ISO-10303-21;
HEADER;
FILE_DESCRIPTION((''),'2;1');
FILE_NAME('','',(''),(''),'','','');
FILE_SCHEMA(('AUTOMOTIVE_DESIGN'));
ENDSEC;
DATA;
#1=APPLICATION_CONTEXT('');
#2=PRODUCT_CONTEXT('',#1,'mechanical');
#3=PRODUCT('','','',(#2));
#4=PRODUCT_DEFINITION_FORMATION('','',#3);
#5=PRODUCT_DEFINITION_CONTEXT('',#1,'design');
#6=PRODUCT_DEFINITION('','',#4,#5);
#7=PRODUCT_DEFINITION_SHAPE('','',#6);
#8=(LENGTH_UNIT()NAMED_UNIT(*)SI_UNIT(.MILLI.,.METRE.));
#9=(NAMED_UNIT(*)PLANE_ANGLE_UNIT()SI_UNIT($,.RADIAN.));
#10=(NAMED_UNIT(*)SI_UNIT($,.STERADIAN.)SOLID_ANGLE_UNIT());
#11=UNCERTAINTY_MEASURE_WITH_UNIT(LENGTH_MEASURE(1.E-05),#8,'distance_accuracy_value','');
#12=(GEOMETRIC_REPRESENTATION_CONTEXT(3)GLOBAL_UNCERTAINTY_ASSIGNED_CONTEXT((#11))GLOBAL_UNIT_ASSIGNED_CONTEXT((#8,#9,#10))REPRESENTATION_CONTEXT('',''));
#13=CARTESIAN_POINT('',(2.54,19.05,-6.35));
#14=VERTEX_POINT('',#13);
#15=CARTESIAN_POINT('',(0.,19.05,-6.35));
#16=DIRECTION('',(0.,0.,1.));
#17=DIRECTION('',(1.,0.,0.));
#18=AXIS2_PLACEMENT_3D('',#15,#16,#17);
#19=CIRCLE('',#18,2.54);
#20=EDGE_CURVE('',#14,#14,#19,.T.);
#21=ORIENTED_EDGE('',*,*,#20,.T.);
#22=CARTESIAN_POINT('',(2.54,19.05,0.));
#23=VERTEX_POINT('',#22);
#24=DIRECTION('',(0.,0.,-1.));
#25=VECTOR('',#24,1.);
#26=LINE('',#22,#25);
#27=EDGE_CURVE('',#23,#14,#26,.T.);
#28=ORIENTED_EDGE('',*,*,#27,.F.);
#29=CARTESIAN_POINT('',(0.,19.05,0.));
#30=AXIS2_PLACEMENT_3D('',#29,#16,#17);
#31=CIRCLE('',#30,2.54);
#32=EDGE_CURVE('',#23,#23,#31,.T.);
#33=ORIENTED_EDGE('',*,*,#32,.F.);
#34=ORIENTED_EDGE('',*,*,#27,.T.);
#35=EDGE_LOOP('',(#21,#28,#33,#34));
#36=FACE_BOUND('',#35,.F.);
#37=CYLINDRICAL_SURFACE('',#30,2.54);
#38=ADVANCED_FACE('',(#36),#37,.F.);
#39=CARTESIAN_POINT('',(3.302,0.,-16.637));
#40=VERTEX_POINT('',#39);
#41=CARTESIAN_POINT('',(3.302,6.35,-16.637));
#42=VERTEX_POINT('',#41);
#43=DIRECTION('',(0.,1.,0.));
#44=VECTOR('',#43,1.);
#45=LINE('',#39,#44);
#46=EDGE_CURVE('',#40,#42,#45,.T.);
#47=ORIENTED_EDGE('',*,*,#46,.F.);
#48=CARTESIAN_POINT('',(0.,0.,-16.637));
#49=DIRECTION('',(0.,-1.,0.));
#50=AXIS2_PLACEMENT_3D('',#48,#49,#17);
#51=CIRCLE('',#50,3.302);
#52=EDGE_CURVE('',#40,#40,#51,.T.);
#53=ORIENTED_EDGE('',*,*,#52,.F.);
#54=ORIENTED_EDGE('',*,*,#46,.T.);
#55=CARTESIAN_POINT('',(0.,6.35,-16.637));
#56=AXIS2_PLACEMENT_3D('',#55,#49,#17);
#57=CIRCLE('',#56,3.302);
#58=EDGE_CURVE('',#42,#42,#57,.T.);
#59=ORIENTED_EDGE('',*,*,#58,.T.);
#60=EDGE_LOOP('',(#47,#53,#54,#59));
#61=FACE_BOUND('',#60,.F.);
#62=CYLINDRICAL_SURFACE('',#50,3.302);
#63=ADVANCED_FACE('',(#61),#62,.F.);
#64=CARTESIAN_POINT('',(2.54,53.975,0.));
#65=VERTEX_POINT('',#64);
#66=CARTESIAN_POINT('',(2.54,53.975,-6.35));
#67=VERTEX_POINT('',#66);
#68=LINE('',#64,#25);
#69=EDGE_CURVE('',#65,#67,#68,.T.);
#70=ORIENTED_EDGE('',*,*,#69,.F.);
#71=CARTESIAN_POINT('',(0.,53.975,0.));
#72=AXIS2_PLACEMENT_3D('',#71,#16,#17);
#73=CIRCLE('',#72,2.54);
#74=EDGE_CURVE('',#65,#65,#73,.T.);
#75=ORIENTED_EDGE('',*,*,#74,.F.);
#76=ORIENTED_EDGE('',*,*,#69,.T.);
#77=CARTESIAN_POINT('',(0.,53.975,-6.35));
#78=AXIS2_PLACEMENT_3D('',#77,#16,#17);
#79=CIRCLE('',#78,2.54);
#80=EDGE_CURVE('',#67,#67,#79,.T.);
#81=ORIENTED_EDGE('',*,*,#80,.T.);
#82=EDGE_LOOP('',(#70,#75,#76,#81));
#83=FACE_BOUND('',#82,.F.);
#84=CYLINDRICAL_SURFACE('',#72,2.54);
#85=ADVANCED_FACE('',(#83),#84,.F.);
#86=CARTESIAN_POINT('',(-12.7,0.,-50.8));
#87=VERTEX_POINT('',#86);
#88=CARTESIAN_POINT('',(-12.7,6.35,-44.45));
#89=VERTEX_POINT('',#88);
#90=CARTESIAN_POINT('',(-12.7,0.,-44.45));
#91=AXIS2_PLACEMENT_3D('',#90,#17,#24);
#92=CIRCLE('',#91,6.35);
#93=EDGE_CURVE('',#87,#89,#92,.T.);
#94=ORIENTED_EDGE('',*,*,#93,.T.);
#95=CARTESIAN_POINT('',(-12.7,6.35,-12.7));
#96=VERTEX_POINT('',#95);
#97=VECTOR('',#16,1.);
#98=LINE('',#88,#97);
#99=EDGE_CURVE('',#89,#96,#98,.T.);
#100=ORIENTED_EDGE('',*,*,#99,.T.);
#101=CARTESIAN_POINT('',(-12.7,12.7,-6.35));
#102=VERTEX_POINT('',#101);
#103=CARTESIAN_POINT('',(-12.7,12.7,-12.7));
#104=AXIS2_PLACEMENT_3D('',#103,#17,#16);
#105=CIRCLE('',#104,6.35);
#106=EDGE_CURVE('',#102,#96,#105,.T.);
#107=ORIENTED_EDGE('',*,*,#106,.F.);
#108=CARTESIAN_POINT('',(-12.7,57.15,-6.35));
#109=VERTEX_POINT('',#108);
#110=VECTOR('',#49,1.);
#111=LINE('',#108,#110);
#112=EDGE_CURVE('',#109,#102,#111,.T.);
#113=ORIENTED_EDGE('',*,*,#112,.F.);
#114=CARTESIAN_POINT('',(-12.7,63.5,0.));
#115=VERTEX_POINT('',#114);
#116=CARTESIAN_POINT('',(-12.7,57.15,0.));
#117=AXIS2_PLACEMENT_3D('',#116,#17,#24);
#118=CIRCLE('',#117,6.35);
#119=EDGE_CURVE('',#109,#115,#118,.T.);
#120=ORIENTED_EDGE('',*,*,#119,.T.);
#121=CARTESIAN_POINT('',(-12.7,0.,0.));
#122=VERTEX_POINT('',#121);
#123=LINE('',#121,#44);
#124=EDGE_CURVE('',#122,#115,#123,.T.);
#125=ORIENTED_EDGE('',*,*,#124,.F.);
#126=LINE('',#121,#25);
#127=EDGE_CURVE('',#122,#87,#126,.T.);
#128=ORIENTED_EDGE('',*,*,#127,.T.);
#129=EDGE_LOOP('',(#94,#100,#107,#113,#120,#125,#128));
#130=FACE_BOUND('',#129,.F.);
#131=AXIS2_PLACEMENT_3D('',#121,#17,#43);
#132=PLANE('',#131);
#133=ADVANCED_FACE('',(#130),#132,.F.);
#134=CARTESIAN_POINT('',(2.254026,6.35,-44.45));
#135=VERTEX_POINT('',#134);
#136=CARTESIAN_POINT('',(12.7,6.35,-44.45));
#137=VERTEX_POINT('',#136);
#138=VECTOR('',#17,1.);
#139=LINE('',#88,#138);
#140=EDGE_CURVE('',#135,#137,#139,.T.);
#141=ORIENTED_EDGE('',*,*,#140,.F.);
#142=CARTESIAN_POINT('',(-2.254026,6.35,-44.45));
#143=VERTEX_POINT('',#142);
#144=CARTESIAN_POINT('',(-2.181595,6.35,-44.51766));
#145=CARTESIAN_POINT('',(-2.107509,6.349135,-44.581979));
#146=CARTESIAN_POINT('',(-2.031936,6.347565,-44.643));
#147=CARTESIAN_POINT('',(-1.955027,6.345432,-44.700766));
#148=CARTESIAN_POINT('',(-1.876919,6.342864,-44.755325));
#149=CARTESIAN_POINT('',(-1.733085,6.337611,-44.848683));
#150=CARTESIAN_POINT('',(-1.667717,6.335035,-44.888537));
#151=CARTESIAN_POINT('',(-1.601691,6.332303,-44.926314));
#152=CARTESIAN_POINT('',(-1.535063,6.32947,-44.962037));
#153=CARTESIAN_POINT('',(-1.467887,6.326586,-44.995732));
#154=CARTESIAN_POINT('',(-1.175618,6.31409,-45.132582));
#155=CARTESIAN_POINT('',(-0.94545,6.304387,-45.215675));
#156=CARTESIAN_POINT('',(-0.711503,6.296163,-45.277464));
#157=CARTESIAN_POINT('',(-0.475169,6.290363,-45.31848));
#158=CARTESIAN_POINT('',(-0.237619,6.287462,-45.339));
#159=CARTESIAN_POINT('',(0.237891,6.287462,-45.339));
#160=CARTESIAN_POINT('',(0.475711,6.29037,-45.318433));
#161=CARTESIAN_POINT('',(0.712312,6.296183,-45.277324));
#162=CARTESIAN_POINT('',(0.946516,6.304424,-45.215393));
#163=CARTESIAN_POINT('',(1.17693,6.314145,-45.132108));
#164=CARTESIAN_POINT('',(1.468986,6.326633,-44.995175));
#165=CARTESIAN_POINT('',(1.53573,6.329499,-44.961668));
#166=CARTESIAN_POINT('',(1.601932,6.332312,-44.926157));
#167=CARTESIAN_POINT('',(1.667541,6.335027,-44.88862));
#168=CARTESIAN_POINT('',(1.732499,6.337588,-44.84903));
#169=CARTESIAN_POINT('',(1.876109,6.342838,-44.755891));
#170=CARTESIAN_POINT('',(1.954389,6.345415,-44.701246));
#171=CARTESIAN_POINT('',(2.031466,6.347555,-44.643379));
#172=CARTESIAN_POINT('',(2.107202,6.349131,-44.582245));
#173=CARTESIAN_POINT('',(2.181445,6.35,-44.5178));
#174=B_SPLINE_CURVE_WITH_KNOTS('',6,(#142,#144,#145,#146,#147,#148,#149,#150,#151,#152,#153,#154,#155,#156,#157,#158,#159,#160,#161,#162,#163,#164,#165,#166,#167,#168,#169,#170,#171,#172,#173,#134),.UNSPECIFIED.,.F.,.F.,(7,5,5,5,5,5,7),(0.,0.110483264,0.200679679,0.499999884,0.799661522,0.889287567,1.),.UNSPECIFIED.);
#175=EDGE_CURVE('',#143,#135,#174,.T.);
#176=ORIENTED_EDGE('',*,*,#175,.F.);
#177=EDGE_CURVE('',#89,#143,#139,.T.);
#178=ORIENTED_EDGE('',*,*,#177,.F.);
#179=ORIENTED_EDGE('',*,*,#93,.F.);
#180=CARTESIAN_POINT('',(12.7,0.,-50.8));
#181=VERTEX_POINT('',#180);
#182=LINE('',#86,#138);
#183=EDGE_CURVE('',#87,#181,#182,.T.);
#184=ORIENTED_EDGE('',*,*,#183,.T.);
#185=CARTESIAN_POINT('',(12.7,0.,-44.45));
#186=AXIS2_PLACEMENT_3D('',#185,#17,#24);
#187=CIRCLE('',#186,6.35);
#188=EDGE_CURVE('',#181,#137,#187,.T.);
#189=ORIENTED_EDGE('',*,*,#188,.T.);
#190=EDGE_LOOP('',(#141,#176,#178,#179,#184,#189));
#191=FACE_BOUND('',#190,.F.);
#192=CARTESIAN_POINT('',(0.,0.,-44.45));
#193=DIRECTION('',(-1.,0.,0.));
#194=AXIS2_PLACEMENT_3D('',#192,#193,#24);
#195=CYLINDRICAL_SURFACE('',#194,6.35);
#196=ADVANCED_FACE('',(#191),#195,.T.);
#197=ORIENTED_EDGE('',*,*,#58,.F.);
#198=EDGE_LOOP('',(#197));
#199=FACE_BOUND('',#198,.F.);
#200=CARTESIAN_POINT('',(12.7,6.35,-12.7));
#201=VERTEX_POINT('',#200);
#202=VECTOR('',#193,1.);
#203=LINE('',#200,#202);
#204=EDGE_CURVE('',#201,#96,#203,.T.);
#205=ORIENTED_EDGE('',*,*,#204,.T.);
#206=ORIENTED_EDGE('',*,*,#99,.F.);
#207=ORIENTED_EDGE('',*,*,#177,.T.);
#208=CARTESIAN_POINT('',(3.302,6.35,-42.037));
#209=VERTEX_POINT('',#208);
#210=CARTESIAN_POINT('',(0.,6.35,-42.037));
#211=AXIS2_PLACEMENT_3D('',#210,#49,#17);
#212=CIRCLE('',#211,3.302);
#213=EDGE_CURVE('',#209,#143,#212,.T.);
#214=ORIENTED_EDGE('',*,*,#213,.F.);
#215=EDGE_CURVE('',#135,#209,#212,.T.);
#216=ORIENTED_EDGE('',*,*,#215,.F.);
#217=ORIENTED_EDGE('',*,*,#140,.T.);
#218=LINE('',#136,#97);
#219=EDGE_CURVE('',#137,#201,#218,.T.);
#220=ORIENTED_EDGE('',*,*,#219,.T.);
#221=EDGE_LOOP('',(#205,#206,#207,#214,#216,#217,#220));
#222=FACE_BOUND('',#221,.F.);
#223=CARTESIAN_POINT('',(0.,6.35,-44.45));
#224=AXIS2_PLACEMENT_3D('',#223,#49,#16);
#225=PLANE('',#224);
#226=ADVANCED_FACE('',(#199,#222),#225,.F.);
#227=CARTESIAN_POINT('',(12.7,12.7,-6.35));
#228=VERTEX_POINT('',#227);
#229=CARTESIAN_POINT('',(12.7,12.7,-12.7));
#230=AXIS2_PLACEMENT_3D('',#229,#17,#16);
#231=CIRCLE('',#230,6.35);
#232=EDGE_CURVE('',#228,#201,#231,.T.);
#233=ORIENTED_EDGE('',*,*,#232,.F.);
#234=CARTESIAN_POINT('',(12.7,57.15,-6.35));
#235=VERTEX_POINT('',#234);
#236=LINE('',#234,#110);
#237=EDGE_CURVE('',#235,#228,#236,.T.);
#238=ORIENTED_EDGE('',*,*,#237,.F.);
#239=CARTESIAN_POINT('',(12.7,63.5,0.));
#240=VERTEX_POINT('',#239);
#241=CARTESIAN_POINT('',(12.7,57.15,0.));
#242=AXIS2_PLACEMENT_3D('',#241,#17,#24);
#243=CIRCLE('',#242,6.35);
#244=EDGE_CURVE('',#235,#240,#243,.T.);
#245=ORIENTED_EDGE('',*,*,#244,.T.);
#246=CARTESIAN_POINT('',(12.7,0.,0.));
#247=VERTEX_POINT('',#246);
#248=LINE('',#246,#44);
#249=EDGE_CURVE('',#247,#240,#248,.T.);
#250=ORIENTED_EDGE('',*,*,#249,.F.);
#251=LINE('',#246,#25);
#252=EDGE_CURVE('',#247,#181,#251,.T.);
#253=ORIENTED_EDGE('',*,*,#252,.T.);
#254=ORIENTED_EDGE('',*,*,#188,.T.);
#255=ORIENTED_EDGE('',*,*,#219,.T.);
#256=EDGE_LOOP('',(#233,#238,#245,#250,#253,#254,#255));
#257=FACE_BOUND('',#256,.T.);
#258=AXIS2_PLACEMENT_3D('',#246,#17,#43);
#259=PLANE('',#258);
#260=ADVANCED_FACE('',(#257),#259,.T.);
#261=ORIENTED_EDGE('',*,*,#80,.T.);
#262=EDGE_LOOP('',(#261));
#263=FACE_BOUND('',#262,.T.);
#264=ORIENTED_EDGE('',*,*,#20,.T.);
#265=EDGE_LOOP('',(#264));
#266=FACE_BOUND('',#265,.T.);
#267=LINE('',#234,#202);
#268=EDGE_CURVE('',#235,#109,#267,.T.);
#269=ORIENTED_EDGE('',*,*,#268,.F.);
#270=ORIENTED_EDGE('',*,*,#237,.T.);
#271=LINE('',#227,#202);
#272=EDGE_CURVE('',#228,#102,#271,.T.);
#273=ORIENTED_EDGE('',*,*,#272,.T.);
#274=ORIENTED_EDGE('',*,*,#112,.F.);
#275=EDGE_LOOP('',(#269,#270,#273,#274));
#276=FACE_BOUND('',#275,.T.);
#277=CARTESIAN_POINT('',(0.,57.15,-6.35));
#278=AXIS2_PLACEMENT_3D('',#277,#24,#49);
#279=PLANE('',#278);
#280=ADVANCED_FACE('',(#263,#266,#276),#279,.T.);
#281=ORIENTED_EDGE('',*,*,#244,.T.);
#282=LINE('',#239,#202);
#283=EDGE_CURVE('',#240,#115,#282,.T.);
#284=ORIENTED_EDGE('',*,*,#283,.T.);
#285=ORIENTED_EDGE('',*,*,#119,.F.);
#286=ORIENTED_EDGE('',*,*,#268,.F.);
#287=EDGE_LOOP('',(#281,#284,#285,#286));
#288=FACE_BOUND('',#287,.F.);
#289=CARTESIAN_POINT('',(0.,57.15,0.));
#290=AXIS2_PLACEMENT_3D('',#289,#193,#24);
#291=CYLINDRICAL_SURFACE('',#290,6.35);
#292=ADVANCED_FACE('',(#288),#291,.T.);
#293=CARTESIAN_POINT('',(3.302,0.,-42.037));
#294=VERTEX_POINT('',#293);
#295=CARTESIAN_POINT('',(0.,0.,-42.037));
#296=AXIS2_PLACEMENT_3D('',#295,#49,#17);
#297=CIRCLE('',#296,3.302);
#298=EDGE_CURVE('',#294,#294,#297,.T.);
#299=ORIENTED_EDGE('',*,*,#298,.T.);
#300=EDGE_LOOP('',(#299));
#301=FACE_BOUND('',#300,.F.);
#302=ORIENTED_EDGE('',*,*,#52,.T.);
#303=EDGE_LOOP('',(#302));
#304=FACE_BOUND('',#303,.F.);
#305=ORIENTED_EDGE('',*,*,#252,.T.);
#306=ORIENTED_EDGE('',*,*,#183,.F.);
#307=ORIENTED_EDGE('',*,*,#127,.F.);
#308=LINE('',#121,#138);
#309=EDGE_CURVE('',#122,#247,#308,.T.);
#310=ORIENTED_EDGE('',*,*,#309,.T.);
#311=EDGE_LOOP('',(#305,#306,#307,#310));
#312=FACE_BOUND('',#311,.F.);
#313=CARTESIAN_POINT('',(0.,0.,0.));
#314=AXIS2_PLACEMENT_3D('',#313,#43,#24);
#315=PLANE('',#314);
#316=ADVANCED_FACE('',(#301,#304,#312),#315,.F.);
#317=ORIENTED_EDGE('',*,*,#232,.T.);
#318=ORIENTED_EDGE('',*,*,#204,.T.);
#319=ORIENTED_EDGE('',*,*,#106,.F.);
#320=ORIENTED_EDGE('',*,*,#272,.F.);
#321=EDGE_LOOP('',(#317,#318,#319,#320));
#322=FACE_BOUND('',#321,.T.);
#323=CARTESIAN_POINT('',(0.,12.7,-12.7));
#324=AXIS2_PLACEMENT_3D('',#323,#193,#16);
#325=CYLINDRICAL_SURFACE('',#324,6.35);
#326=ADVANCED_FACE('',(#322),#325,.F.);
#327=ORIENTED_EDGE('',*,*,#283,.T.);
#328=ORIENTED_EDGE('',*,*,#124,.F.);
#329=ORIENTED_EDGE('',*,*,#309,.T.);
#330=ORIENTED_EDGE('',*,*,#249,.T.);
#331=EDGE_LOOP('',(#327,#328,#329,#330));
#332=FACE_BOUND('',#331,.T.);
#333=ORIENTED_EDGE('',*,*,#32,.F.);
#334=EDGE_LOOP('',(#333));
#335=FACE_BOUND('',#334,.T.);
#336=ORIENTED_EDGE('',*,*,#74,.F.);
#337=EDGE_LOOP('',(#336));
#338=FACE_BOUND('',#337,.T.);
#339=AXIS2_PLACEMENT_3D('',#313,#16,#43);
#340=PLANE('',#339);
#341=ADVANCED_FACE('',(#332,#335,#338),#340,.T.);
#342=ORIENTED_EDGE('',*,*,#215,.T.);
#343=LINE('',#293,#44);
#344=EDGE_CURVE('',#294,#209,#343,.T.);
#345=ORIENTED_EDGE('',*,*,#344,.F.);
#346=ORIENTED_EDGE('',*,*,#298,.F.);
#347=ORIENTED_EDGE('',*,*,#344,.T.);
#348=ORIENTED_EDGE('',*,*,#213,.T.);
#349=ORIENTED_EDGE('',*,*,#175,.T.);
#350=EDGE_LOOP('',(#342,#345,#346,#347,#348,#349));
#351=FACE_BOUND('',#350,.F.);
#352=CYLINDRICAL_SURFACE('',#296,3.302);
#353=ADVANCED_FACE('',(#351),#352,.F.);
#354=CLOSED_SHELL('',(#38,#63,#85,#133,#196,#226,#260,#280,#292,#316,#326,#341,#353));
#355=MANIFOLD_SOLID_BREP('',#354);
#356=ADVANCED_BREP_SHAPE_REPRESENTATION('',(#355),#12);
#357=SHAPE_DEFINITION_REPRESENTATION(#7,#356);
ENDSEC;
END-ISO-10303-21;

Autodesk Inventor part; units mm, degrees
ref_plane "YZ Plane" through (0, 0, 0) normal (1, 0, 0) x (0, 1, 0)
ref_plane "XZ Plane" through (0, 0, 0) normal (0, 1, 0) x (-1, 0, 0)
ref_plane "XY Plane" through (0, 0, 0) normal (0, 0, 1) x (1, 0, 0)
sketch "Sketch1" plane through (0, 0, 0) normal (1, 0, 0) x (0, 1, 0)
  line L0 (0, 0) -> (63.5, 0)
  line L1 (0, 0) -> (0, -50.8)
  arc A0 (0, -50.8) -> (6.35, -44.45) centre (0, -44.45) ccw
  arc A1 (57.15, -6.35) -> (63.5, 0) centre (57.15, 0) ccw
  line L2 (57.15, -6.35) -> (12.7, -6.35)
  line L3 (6.35, -44.45) -> (6.35, -12.7)
  arc A2 (12.7, -6.35) -> (6.35, -12.7) centre (12.7, -12.7) ccw
  dimension "d0" = 6.35
  dimension "d1" = 63.5
  dimension "d16" = 50.8
extrude "Extrusion1" add sketch "Sketch1" along normal mid plane 25.4
sketch "Sketch2" plane through (-12.7, 0, 0) normal (0, 0, 1) x (1, 0, 0)
  line L0 (25.4, 6.35) -> (0, 6.35) projected
  line L1 (25.4, 6.35) -> (0, 6.35) projected
  line L2 (25.4, 6.35) -> (0, 6.35) construction
  line L3 (12.7, 6.35) -> (12.7, 63.5) construction
  line L4 (25.4, 63.5) -> (0, 63.5) construction
  circle A0 centre (12.7, 19.05) radius 2.54
  circle A1 centre (12.7, 53.975) radius 2.54
  point P0 (12.7, 0)
  dimension "d4" = 5.08
  dimension "d5" = 12.7
  dimension "d6" = 9.525
extrude "Extrusion2" cut sketch "Sketch2" against normal through all
sketch "Sketch3" plane through (-12.7, 0, -50.8) normal (0, -1, 0) x (1, 0, 0)
  line L0 (25.4, 44.45) -> (0, 44.45) projected
  line L1 (25.4, 0) -> (0, 0) construction
  line L2 (12.7, 0) -> (12.7, 44.45) construction
  circle A0 centre (12.7, 34.163) radius 3.302
  circle A1 centre (12.7, 8.763) radius 3.302
  point P0 (12.7, 50.8)
  dimension "d9" = 6.604
  dimension "d14" = 16.637
  dimension "d15" = 25.4
extrude "Extrusion3" cut sketch "Sketch3" against normal through all
properties part number "support L" material "Aluminum 6061"
